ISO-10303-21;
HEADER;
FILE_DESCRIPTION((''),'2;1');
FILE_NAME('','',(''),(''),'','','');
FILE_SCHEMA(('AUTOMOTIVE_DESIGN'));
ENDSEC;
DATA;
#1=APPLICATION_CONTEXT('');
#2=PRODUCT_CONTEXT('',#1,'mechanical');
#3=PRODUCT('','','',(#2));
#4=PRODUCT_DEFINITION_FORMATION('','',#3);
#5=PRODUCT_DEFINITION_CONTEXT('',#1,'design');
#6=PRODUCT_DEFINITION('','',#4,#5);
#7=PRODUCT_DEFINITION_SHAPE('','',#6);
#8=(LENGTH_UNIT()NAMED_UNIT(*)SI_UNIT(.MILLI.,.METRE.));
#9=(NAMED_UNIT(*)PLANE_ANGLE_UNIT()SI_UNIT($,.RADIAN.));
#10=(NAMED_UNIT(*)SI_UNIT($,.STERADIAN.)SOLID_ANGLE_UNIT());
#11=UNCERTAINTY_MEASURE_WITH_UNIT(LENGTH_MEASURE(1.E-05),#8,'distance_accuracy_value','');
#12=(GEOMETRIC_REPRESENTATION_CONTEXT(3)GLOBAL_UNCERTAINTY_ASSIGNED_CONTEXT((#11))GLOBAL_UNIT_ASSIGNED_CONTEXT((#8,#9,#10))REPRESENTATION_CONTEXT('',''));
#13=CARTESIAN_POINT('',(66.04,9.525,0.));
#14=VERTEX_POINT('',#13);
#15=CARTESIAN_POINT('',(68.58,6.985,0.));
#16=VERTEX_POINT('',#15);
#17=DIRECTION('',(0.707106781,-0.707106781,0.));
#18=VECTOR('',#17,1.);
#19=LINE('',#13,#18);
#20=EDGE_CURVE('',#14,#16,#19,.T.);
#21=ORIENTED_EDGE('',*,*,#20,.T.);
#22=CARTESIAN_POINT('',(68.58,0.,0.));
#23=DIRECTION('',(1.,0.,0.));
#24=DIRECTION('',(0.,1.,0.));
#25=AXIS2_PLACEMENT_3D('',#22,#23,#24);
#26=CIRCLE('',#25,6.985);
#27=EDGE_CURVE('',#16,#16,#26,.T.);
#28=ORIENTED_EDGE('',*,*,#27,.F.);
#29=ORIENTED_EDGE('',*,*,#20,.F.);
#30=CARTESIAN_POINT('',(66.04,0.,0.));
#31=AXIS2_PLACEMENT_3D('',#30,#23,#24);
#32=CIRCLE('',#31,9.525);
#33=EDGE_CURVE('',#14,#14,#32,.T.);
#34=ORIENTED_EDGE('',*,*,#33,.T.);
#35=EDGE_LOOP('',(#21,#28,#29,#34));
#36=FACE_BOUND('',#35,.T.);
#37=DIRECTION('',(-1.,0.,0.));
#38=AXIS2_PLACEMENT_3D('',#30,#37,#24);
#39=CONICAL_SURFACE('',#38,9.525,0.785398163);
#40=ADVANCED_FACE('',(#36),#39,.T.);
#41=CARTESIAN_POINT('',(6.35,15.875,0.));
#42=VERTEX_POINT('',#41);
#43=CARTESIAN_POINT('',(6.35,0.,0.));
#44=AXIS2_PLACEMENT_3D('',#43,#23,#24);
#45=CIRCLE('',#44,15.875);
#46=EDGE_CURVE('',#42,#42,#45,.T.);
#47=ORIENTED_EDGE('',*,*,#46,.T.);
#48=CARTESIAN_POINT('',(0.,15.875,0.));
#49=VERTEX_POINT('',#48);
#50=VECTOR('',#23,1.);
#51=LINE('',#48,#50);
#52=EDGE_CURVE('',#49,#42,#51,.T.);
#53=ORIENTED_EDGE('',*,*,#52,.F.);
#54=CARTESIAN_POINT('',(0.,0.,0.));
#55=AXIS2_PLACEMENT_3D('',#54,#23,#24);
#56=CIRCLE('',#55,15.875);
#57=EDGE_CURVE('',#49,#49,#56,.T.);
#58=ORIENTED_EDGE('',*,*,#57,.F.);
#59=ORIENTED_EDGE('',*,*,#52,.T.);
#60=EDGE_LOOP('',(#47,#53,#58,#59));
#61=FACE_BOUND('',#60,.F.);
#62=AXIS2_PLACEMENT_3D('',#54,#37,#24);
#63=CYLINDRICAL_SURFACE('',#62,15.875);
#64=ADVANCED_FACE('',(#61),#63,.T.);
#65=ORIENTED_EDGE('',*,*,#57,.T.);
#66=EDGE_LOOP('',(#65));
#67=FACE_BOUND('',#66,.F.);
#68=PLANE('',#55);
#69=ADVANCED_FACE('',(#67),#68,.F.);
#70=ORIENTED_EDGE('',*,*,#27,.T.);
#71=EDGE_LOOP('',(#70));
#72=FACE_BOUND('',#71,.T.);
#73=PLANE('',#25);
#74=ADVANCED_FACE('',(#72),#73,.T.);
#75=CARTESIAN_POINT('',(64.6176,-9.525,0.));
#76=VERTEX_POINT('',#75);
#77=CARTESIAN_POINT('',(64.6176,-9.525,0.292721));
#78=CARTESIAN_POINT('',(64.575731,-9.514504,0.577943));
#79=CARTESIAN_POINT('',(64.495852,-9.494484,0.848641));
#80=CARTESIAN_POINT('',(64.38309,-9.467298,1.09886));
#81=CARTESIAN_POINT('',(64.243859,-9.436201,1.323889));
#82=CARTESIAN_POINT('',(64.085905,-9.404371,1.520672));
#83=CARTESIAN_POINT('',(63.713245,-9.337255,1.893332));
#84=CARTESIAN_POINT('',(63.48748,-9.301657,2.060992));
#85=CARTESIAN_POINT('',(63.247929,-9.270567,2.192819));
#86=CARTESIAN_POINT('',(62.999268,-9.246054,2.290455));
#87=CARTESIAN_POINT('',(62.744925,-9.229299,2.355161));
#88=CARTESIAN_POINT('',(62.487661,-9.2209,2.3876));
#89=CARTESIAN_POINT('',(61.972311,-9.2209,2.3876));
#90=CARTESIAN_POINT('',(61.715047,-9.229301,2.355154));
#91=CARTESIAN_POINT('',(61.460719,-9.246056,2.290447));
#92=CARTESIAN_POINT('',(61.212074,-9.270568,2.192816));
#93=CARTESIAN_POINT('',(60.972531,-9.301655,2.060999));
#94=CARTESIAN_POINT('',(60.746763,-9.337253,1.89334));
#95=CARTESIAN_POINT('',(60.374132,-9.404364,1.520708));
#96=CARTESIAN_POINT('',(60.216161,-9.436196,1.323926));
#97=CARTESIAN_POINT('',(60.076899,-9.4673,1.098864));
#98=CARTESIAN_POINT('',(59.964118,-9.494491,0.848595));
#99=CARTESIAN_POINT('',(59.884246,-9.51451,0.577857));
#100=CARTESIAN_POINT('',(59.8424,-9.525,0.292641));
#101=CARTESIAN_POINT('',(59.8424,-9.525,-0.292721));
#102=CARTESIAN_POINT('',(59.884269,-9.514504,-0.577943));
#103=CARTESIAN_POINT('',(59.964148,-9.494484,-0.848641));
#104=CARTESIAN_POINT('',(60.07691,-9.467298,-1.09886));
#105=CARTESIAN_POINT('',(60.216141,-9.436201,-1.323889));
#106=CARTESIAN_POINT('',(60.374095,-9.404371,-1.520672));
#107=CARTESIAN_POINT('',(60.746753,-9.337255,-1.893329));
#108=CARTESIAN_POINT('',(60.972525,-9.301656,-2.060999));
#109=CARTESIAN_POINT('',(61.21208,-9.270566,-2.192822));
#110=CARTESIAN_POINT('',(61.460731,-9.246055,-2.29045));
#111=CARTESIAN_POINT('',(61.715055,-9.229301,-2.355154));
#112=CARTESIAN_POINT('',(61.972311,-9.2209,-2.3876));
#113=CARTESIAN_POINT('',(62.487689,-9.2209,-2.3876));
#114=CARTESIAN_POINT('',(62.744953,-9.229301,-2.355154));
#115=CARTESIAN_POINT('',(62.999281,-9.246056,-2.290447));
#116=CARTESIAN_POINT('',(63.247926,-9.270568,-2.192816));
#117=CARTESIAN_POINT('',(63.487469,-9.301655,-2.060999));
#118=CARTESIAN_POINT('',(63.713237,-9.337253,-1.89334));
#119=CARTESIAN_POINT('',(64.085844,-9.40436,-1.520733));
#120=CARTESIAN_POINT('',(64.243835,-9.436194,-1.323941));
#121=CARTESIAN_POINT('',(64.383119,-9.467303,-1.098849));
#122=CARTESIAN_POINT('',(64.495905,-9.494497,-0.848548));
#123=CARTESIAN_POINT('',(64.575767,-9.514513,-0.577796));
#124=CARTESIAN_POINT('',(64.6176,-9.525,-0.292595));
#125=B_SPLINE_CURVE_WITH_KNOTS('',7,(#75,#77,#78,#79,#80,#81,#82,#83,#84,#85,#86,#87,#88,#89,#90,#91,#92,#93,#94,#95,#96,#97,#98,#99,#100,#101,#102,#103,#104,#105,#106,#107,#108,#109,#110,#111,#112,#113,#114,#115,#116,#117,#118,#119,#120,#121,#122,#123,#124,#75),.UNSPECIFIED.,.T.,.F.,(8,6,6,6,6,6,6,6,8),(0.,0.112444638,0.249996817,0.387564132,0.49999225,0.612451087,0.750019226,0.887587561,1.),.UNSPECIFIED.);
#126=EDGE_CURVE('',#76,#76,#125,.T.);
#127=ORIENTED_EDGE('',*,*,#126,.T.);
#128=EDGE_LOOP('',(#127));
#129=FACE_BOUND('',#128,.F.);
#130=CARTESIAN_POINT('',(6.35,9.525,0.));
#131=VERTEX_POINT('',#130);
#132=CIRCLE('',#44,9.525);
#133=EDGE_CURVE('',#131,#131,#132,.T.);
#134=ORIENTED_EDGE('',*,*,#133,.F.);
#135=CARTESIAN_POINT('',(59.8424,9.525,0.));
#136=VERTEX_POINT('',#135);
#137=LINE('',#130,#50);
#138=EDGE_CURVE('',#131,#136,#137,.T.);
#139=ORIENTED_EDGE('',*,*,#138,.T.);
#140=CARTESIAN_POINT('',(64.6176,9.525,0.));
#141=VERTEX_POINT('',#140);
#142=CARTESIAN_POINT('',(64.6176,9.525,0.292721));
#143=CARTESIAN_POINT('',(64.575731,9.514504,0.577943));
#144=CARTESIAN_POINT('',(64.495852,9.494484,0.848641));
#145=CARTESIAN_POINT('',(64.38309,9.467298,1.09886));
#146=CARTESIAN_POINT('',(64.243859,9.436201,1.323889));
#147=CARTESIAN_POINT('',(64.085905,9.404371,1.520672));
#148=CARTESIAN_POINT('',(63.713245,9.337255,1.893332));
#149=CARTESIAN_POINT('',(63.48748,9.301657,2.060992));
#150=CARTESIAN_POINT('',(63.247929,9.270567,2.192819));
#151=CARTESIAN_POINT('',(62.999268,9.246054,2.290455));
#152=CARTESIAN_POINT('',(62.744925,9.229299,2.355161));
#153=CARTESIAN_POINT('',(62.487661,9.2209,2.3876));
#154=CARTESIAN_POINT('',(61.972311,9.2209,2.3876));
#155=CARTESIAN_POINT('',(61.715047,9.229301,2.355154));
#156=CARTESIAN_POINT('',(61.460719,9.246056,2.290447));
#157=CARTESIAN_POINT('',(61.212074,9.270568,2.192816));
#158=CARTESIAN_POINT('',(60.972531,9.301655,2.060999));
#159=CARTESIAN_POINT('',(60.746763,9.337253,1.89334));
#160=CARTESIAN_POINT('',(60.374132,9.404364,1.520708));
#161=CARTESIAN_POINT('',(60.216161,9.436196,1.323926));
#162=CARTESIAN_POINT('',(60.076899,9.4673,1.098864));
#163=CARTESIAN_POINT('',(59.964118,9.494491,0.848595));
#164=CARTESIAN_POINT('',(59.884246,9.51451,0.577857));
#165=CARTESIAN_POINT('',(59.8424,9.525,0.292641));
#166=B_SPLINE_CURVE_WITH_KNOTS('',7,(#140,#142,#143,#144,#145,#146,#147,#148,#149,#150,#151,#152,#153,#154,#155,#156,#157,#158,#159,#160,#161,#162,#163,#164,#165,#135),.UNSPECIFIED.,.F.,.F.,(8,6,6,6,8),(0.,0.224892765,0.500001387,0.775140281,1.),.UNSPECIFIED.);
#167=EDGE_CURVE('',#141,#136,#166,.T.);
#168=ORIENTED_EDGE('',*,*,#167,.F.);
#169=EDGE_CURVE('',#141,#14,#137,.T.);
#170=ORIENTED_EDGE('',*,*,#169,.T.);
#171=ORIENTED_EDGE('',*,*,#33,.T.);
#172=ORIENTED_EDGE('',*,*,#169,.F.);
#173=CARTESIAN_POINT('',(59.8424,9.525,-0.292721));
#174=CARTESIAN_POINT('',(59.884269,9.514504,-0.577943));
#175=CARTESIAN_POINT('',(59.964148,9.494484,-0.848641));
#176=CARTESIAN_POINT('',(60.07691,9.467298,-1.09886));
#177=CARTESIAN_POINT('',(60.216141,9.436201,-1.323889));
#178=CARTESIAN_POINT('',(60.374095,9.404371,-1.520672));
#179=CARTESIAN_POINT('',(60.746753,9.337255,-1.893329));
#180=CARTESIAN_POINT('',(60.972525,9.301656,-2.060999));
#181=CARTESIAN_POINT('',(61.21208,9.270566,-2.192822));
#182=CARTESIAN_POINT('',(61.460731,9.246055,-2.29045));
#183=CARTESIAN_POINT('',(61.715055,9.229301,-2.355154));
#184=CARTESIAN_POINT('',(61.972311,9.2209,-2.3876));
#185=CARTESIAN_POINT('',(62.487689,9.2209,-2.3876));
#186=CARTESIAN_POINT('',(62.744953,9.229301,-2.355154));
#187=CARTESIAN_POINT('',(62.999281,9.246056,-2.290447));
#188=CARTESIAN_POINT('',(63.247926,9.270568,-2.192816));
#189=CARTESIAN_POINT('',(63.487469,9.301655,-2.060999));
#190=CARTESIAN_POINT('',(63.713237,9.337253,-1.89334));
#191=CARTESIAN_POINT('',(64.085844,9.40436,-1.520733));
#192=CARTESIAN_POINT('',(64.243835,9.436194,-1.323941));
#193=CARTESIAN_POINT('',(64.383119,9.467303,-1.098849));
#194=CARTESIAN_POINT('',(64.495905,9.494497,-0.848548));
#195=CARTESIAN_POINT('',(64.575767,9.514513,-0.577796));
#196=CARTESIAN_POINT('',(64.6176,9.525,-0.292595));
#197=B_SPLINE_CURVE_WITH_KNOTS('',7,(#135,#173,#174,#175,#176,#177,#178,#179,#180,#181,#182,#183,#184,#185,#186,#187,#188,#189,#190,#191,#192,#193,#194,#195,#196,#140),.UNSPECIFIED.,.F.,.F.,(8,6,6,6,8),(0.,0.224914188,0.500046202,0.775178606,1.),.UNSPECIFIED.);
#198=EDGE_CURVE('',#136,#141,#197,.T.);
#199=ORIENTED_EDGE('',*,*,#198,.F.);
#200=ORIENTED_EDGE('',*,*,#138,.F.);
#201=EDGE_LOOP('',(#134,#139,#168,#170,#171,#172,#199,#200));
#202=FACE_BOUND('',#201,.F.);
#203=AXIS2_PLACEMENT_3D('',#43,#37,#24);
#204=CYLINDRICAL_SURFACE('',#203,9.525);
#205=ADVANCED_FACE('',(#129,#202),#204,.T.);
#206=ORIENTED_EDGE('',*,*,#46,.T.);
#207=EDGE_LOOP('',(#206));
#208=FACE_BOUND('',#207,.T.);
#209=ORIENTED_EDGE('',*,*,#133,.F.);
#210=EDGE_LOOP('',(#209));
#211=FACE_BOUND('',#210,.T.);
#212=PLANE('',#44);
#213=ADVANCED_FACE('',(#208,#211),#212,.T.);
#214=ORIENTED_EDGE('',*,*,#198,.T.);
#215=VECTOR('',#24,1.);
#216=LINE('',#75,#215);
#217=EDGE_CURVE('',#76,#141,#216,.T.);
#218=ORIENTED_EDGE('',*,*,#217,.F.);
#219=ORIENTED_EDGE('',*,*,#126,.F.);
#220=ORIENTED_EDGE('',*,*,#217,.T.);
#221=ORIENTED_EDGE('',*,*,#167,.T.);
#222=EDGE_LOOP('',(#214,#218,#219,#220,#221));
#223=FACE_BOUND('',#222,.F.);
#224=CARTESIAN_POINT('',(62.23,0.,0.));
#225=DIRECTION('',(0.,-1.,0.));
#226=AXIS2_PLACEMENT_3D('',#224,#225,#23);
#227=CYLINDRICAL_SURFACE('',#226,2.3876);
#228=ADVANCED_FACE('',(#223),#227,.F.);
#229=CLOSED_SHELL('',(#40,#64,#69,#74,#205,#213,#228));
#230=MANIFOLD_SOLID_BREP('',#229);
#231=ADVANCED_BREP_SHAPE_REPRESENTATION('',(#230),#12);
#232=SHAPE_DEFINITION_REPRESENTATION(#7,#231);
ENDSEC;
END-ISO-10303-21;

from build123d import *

# Parameters (mm, degrees)
F0_R          = 15.875
F1_DEPTH      = 6.35
F2_R          = 9.525
F3_DEPTH      = 62.23
F4_SIZE       = 2.54
F5_R          = 2.3876
F6_DEPTH      = 15.876
F6_DEPTH_BACK = 25.4


with BuildPart() as f1:
    # F0 (on Right) → F1 (new body)
    with BuildSketch(Plane.YZ):
        Circle(F0_R)
    extrude(amount=F1_DEPTH)

    # F2 (on face) → F3 (join)
    with BuildSketch(Plane.YZ.offset(6.35)):
        Circle(F2_R)
    extrude(amount=F3_DEPTH)

    # F4
    f4_edges = [f1.edges().sort_by_distance(p)[0] for p in [
        (68.58, -9.525, 0),
    ]]
    chamfer(f4_edges, length=F4_SIZE)

    # F5 (on Front) → F6 (cut, two sides)
    with BuildSketch(Plane.XZ) as f6_sk:
        with Locations((62.23, 0)):
            Circle(F5_R)
    extrude(amount=-F6_DEPTH, mode=Mode.SUBTRACT)
    extrude(f6_sk.sketch, amount=F6_DEPTH_BACK, mode=Mode.SUBTRACT)


solid = f1.part
